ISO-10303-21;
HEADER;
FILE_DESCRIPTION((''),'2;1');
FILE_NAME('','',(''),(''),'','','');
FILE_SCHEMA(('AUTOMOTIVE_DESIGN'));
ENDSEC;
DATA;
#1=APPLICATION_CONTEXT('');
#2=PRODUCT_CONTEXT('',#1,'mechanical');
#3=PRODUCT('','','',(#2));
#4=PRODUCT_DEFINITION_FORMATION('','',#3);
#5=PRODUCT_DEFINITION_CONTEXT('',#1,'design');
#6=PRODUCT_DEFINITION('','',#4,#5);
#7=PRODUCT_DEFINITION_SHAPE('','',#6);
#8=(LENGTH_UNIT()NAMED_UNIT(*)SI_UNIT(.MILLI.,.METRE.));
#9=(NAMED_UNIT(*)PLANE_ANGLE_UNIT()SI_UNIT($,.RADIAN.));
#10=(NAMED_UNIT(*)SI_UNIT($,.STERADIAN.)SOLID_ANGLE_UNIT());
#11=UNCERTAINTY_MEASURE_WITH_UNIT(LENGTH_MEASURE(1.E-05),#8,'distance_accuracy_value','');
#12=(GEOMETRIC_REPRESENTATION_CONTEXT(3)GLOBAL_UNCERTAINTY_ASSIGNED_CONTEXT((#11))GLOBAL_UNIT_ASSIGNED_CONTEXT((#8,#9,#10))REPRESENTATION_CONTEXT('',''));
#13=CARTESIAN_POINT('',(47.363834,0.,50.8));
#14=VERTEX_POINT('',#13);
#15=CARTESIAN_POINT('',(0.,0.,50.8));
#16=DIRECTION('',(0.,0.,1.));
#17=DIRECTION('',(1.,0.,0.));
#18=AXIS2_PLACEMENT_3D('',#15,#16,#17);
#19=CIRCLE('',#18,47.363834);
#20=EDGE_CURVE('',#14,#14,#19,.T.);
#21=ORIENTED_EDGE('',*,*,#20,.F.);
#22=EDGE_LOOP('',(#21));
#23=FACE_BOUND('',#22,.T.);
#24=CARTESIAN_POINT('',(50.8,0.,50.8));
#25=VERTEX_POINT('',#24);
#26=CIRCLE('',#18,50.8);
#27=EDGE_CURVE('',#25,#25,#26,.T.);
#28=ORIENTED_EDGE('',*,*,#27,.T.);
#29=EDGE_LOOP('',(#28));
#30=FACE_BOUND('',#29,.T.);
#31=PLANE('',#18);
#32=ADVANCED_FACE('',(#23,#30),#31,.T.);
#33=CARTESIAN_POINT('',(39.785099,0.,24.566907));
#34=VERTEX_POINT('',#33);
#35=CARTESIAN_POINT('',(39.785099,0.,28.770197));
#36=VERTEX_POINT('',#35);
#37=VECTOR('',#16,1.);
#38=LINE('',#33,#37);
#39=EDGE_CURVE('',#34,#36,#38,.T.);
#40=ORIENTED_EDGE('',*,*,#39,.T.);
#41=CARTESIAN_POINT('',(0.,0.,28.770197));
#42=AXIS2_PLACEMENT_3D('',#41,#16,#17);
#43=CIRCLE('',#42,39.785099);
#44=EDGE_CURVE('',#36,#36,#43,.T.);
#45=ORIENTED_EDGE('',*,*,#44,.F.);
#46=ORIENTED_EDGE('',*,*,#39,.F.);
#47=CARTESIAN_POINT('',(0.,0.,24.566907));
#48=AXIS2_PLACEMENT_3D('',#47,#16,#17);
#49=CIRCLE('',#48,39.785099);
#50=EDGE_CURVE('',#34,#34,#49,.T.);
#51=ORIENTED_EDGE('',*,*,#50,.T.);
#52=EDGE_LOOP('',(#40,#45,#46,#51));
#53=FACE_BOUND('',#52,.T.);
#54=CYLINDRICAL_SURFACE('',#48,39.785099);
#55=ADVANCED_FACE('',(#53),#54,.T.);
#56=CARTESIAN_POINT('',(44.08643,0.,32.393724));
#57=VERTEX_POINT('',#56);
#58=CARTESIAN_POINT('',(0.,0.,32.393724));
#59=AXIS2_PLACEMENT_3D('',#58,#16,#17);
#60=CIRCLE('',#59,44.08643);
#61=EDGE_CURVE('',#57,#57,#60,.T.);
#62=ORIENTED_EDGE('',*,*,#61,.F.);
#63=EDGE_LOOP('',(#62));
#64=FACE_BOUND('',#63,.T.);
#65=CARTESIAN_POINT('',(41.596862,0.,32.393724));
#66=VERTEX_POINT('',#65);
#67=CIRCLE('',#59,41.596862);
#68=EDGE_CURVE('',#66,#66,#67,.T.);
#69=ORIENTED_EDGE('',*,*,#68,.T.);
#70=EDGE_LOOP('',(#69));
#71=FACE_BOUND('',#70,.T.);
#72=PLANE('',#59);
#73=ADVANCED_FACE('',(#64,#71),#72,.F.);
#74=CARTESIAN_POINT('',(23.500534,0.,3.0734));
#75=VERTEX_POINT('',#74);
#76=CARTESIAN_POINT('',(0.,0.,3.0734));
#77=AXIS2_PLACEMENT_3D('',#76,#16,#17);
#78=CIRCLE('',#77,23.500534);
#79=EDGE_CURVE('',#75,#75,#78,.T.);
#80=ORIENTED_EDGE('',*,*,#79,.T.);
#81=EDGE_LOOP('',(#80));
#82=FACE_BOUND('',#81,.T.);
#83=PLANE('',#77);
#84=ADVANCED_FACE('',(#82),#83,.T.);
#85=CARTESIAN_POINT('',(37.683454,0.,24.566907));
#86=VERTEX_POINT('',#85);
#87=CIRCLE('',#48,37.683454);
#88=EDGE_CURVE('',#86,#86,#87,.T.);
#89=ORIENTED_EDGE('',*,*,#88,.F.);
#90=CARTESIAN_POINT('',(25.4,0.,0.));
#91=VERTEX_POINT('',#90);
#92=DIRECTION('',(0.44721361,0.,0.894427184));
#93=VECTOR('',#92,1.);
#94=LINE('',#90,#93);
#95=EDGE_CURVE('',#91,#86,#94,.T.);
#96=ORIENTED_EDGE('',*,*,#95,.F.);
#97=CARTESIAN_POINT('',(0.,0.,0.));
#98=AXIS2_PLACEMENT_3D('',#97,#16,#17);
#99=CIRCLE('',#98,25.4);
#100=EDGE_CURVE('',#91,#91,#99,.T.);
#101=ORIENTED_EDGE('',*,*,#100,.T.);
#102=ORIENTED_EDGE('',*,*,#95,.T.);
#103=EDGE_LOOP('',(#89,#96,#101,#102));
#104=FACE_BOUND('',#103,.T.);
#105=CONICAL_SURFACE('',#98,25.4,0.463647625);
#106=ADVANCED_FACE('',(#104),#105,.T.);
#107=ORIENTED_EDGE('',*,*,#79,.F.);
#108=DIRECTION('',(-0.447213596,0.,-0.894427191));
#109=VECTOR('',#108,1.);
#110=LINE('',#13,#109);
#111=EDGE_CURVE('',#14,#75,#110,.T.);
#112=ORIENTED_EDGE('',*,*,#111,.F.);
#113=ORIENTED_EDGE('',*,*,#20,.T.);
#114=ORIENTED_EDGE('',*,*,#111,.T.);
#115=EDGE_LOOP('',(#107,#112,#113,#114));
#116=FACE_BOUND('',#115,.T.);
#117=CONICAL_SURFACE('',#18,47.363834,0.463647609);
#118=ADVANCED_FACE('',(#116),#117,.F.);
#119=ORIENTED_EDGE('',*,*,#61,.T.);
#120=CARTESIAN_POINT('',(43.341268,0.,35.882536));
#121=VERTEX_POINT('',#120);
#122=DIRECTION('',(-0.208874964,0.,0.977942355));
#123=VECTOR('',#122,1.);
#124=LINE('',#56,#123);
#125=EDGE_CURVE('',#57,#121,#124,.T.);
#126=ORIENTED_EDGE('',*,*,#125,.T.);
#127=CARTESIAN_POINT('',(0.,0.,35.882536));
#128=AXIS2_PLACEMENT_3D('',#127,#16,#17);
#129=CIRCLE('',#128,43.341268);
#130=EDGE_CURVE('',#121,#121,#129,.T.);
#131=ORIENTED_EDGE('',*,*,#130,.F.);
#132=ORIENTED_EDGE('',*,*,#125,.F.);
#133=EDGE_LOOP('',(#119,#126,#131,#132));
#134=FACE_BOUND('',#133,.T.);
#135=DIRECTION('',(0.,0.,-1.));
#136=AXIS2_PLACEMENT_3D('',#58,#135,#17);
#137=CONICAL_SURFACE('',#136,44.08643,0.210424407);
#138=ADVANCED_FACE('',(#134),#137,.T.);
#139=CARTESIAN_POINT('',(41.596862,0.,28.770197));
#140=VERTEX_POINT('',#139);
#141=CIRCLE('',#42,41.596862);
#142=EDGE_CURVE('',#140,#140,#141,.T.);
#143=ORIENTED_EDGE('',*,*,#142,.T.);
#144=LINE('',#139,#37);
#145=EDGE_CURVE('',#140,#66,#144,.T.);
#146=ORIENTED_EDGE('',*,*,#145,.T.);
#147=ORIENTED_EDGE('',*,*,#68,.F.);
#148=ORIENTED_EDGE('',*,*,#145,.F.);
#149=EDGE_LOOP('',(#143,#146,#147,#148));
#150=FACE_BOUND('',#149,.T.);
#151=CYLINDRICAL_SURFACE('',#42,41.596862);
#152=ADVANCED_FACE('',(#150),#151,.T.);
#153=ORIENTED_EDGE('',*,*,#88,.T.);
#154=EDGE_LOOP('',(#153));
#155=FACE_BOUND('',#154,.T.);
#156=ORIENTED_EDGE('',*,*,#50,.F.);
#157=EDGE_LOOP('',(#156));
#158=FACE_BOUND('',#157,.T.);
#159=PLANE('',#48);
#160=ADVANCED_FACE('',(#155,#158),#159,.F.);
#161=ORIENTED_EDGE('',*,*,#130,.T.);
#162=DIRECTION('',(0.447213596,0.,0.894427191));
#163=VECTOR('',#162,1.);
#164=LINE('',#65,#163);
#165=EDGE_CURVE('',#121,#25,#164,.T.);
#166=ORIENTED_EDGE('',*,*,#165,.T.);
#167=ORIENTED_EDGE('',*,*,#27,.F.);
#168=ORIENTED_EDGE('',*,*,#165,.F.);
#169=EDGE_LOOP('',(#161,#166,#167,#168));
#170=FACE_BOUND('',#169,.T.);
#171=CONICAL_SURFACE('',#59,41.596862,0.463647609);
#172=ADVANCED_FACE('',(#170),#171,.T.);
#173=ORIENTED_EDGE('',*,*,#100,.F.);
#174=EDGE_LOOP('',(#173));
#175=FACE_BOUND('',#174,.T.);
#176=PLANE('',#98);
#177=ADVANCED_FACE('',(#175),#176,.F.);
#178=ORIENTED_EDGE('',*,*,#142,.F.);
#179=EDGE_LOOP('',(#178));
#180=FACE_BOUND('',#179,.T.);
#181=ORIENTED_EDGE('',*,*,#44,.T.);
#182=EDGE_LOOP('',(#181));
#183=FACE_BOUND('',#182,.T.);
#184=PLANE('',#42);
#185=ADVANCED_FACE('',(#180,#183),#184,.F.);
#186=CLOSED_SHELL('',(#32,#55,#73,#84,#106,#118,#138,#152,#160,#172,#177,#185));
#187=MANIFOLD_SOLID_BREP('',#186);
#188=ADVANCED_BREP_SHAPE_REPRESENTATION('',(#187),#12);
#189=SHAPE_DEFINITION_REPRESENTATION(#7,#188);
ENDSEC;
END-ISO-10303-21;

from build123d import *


with BuildPart() as f1:
    # F0 (on Front) → F1 (revolve)
    with BuildSketch(Plane.XZ):
        Polygon((0, 3.0734), (0, 0), (25.4, 0), (37.683454, 24.566907), (39.785099, 28.770197), (41.596862, 32.393724), (43.341268, 35.882536), (50.8, 50.8), (47.363834, 50.8), (23.500534, 3.0734), align=None)
        Polygon((43.341268, 35.882536), (41.596862, 32.393724), (44.08643, 32.393724), align=None)
        Polygon((41.596862, 32.393724), (39.785099, 28.770197), (41.596862, 28.770197), align=None)
        Polygon((39.785099, 28.770197), (37.683454, 24.566907), (39.785099, 24.566907), align=None)
    revolve(axis=Axis((0, 0, 25.4), (0, 0, 1)))


solid = f1.part
